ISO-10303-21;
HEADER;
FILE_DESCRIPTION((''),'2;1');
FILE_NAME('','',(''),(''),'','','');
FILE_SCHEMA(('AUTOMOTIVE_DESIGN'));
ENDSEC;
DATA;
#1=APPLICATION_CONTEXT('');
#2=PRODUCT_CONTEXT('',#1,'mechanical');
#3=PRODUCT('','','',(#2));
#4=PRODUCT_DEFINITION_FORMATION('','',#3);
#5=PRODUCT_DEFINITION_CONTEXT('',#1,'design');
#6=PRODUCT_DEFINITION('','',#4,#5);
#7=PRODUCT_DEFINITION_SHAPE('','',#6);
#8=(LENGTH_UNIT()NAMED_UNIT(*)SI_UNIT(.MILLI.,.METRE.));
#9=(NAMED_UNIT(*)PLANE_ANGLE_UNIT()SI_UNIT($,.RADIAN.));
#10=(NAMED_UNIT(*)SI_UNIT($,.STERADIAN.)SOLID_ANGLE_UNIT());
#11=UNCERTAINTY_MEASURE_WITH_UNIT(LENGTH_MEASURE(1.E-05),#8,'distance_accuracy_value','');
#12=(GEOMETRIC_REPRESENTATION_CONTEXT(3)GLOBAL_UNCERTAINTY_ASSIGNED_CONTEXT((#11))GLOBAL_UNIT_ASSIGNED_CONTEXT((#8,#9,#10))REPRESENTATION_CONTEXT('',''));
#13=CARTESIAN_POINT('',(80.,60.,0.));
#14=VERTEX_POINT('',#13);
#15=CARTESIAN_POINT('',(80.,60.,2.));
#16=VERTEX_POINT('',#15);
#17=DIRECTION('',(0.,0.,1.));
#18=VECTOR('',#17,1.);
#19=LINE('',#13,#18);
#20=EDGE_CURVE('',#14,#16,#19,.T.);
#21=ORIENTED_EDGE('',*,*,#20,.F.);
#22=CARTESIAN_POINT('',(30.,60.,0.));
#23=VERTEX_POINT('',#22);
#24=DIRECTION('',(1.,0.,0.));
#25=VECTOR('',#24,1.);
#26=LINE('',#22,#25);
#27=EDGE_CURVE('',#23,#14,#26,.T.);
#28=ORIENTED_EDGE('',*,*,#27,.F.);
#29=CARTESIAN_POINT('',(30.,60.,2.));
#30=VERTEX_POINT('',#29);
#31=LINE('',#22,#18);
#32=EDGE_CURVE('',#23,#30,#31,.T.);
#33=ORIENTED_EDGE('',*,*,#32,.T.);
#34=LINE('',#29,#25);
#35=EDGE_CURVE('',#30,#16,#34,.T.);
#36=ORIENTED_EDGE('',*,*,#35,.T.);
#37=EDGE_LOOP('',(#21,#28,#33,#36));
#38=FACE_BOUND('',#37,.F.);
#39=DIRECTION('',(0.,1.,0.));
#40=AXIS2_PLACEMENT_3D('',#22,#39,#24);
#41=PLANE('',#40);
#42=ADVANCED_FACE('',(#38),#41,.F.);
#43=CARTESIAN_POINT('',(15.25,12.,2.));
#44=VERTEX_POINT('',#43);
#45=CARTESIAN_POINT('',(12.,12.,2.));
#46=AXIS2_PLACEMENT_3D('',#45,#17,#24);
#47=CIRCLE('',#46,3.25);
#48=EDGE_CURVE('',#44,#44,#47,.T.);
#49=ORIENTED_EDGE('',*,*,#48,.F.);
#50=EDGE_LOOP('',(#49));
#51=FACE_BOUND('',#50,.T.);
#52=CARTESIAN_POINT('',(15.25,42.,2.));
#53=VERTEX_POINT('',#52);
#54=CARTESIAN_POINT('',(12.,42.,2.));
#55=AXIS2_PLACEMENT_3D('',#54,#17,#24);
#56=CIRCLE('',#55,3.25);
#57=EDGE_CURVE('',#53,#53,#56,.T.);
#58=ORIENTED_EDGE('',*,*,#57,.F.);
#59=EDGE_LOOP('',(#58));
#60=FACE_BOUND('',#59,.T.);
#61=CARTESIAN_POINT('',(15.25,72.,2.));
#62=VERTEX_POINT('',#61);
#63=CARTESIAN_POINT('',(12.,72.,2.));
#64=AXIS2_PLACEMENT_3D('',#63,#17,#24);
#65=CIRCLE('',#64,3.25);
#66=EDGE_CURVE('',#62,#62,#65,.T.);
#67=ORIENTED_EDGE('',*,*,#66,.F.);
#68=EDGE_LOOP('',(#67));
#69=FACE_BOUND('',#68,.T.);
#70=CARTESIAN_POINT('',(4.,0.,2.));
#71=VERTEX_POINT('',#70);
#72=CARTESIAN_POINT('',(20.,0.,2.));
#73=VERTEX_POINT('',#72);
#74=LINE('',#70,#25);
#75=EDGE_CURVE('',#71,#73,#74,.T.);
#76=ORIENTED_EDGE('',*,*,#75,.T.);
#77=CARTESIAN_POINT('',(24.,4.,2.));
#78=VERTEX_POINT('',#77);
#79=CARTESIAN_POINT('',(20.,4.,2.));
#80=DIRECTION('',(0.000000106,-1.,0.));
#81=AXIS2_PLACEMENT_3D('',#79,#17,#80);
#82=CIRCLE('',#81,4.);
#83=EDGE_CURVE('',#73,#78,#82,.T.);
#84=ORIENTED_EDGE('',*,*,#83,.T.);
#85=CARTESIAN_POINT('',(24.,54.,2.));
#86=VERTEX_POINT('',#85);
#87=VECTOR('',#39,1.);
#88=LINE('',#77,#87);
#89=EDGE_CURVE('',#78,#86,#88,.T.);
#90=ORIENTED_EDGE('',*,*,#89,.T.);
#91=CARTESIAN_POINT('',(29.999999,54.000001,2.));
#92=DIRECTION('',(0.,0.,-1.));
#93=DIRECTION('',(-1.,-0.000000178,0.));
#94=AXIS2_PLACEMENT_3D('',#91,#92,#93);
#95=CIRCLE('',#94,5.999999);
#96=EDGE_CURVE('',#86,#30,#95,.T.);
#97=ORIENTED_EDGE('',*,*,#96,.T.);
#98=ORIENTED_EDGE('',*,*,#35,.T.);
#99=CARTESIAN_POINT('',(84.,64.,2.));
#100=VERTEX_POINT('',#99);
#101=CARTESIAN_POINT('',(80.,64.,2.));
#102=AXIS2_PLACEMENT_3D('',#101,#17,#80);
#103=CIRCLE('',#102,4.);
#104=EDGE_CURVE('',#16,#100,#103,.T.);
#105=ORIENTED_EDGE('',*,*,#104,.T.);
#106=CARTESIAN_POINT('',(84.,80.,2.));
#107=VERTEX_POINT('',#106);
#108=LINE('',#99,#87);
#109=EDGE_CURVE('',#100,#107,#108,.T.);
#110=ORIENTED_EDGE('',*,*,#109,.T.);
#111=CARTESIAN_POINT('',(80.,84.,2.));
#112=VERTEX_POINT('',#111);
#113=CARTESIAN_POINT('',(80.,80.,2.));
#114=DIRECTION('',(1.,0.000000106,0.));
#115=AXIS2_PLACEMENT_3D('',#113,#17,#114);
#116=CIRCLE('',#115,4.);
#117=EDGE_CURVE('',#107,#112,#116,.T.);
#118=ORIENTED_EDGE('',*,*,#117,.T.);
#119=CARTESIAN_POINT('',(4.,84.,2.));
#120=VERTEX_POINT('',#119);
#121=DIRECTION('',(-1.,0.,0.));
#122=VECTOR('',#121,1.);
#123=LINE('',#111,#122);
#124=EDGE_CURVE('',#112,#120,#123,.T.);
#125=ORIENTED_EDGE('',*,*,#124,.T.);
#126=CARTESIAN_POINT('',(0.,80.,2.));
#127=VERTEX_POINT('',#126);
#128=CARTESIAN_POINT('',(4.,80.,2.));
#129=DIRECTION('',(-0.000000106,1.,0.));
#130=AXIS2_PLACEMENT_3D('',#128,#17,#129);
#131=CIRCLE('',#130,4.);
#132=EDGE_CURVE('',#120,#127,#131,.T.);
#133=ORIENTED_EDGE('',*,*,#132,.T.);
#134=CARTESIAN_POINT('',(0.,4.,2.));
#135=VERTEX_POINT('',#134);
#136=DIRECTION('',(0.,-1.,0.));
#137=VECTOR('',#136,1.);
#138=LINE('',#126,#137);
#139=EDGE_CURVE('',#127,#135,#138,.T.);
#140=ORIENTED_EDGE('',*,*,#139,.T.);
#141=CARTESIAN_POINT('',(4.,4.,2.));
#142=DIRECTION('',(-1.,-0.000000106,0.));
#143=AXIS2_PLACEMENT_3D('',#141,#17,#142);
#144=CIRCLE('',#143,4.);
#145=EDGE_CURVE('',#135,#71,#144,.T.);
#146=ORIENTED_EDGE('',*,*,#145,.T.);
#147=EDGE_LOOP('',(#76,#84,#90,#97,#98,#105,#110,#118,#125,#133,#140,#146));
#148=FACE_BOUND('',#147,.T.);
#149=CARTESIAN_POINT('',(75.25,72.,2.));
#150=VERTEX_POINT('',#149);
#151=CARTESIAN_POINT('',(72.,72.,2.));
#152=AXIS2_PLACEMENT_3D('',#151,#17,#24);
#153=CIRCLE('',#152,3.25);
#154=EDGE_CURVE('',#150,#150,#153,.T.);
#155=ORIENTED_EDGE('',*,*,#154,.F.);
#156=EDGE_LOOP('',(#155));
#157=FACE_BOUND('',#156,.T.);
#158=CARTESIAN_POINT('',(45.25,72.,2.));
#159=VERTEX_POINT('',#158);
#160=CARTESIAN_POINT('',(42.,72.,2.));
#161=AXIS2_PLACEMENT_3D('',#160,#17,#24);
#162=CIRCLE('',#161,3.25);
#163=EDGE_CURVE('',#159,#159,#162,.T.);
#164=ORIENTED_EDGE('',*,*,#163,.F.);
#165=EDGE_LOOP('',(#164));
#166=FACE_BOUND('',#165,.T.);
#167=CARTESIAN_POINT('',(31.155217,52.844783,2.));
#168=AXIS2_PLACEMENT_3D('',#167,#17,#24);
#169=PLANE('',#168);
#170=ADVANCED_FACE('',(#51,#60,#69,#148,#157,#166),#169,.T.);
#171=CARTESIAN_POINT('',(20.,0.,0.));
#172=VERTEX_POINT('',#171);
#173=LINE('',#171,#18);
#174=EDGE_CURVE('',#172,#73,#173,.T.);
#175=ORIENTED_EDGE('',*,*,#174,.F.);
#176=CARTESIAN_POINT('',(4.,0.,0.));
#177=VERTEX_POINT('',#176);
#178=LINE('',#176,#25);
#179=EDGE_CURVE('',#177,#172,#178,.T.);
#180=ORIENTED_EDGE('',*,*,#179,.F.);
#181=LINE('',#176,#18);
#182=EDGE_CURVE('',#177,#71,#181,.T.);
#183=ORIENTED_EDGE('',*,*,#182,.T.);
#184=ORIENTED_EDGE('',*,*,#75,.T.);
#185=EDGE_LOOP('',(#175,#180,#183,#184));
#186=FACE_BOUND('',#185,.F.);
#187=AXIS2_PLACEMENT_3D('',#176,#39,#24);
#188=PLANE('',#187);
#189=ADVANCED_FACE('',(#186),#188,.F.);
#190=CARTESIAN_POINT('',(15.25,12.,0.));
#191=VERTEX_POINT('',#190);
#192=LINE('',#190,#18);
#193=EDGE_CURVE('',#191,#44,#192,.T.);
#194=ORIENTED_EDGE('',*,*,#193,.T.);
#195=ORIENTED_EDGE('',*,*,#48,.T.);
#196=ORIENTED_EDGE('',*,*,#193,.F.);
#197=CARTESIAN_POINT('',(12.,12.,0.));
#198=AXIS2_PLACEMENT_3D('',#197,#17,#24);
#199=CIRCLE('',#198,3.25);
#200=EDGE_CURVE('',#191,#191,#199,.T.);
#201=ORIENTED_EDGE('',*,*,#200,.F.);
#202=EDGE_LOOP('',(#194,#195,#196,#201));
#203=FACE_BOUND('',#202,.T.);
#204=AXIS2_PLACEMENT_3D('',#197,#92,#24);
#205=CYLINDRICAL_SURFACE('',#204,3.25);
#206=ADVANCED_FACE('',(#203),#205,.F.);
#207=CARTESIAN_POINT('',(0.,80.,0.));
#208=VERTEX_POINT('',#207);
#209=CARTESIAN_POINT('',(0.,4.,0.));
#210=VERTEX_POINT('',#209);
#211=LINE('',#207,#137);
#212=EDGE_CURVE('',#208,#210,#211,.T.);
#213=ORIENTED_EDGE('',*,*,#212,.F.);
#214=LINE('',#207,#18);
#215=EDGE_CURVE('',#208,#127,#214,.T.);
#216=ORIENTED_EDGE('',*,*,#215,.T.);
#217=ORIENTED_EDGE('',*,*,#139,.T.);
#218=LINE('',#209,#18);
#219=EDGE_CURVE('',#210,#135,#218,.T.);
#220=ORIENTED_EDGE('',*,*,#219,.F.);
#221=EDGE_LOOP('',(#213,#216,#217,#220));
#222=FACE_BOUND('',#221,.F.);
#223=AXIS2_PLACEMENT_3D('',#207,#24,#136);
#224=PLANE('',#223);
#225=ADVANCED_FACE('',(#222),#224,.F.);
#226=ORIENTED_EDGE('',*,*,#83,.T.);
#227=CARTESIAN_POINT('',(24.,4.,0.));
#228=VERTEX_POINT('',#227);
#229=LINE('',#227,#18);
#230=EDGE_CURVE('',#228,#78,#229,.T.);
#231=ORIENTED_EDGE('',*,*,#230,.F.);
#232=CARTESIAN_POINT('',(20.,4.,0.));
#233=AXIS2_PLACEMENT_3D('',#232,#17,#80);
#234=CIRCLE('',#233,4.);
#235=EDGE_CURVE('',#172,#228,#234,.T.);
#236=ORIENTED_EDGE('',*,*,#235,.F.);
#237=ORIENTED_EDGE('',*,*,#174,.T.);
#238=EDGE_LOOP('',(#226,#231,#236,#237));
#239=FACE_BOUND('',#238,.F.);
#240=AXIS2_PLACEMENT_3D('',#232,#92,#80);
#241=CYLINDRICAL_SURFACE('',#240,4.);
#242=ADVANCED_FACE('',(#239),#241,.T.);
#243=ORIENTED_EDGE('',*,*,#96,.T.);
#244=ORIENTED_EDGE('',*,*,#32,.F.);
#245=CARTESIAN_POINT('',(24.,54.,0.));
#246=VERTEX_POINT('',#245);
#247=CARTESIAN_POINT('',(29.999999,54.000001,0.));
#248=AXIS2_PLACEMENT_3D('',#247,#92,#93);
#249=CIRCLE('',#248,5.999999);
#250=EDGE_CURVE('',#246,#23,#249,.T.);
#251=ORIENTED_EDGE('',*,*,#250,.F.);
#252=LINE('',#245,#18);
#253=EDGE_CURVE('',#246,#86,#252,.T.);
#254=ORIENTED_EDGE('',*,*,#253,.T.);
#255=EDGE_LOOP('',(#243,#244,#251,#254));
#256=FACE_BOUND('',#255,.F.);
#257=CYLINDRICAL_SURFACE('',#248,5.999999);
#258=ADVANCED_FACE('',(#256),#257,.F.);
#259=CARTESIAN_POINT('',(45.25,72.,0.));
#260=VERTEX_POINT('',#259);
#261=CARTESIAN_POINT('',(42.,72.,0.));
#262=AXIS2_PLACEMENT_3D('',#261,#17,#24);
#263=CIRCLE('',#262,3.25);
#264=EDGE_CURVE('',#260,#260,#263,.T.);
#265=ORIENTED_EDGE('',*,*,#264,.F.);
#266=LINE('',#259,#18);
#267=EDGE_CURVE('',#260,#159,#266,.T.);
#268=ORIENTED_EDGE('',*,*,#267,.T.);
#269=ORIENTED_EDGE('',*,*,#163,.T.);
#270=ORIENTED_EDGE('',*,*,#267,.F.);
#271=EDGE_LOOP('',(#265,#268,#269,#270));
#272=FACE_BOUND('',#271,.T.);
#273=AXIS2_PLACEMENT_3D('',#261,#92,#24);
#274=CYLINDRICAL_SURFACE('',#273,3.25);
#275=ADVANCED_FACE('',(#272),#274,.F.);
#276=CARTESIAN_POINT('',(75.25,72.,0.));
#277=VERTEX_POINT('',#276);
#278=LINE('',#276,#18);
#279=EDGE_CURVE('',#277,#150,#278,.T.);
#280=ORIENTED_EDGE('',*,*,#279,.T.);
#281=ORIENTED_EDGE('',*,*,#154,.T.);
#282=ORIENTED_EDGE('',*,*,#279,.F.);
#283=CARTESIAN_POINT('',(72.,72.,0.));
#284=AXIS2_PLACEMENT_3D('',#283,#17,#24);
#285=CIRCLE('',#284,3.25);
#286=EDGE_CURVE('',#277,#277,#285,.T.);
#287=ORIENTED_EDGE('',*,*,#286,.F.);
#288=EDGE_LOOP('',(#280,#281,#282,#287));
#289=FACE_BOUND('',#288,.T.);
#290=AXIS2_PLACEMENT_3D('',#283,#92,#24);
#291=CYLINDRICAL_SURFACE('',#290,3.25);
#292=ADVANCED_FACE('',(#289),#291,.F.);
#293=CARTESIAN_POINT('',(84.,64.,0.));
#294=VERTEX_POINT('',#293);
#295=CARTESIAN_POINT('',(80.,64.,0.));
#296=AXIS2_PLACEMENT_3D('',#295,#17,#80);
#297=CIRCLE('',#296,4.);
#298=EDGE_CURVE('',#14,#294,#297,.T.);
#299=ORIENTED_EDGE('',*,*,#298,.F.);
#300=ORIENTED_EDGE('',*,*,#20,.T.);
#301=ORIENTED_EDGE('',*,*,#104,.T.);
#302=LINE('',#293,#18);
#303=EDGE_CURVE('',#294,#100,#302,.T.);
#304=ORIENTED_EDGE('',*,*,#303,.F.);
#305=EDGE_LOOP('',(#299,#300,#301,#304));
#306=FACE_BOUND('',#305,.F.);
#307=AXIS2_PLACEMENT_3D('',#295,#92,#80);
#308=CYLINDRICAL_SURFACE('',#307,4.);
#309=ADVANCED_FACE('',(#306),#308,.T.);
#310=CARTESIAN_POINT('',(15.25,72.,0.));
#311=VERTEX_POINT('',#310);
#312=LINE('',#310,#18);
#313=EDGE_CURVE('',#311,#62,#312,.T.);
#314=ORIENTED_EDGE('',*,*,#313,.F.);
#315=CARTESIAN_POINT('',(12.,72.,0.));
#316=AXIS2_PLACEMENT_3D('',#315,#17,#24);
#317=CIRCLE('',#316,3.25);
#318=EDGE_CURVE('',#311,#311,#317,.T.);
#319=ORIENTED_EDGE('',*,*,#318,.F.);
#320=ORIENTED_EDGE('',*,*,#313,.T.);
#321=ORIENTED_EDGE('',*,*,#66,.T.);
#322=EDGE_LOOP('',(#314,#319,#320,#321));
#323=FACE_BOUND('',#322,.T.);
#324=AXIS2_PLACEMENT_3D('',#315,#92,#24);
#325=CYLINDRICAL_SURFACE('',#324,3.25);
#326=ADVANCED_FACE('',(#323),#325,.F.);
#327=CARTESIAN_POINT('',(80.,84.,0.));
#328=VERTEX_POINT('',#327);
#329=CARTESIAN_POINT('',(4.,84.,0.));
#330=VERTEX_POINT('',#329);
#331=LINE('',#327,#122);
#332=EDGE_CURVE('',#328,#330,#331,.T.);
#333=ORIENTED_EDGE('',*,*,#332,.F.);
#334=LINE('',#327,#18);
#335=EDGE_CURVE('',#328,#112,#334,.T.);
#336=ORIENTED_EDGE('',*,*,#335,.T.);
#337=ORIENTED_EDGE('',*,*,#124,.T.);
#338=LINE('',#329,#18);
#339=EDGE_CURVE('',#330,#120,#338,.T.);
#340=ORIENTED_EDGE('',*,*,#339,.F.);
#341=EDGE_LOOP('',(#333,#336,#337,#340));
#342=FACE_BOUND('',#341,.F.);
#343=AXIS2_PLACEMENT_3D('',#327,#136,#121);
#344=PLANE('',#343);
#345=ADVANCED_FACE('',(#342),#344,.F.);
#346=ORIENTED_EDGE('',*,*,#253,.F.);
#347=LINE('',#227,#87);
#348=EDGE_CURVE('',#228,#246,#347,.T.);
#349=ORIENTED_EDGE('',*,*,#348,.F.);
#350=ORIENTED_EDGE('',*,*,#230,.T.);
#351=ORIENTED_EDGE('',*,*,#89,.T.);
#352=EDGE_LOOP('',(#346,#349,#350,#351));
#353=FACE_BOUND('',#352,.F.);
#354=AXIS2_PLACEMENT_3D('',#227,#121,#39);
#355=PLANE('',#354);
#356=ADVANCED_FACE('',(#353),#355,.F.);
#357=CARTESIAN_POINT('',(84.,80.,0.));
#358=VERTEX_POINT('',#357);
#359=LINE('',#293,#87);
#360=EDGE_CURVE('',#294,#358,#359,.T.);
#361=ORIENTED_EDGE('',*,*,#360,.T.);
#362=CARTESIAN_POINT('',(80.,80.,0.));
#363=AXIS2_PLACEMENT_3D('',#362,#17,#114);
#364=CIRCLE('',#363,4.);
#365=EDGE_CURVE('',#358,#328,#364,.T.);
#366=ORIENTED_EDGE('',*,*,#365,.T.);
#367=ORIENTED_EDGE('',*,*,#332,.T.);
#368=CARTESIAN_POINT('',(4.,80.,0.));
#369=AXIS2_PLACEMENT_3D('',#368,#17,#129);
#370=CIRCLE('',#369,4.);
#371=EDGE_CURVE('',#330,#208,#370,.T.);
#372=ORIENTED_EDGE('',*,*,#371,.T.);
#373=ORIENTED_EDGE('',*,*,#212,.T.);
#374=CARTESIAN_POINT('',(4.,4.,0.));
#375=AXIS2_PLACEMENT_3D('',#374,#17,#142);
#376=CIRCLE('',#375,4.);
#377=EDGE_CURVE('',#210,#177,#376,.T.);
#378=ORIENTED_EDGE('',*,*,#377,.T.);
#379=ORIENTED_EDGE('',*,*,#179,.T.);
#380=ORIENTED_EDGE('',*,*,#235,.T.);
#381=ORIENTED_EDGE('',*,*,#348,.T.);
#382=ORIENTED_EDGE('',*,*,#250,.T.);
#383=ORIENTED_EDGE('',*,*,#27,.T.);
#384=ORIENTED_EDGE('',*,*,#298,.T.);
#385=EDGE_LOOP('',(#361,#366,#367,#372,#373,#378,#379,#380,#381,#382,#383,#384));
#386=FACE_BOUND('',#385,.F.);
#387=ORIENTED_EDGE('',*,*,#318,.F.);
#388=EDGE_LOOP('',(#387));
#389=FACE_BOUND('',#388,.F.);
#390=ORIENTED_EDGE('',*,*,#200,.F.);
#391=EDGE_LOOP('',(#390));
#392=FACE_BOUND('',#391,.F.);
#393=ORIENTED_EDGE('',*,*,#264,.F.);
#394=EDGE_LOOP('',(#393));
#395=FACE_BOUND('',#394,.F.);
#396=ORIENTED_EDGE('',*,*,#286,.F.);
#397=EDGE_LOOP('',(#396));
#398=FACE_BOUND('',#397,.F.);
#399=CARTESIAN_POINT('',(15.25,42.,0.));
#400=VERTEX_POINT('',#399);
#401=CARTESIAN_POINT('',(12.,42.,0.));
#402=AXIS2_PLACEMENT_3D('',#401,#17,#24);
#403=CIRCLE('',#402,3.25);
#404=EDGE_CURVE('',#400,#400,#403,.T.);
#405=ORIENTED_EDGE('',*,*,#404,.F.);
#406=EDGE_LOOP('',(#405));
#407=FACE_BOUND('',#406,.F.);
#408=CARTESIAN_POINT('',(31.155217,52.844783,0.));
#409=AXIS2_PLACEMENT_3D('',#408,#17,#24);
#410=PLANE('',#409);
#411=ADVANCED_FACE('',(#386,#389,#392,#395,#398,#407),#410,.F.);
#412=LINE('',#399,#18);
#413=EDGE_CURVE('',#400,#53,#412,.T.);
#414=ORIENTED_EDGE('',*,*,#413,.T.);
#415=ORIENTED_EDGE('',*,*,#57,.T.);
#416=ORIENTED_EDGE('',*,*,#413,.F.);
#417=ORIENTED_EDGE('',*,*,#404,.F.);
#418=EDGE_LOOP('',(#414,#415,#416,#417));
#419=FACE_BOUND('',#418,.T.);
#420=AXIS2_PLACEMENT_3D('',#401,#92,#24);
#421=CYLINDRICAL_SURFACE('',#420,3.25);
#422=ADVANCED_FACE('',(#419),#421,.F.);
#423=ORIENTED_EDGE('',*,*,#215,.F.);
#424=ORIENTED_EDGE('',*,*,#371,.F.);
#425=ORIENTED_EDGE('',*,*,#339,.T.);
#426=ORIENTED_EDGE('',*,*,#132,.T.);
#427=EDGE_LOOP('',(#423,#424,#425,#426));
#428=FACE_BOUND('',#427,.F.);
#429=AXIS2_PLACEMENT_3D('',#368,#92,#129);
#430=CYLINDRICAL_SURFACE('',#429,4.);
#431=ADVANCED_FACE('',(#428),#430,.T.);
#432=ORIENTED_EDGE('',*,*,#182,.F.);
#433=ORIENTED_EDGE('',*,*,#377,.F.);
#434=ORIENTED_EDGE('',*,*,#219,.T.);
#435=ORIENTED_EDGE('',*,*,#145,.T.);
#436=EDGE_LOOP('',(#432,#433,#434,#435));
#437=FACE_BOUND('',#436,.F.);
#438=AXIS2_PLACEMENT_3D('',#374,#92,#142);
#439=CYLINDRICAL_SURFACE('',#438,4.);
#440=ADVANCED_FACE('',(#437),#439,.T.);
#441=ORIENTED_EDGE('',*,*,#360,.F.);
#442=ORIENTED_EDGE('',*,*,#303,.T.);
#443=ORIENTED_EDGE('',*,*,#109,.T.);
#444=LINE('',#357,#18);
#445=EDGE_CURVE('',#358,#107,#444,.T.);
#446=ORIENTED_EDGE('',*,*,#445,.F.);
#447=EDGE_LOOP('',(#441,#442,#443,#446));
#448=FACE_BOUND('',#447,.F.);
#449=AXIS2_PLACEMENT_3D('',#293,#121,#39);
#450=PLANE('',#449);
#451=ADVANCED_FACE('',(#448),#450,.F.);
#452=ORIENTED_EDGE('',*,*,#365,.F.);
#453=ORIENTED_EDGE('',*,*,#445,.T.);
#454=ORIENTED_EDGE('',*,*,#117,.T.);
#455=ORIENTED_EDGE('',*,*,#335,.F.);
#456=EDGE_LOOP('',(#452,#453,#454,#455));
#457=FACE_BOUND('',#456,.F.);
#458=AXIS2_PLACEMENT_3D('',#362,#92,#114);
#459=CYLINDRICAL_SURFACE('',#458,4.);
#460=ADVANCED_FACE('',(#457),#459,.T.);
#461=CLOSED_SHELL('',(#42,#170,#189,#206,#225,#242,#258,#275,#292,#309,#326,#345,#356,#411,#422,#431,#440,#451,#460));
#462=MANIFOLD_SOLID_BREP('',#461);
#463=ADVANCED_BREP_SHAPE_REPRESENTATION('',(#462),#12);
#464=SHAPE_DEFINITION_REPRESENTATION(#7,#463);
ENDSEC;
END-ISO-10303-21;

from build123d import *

# Parameters (mm, degrees)
F0_R     = 3.25
F1_DEPTH = 2


with BuildPart() as f1:
    # F0 (on Top) → F1 (new body)
    with BuildSketch(Plane.XY):
        with BuildLine():
            Line((80, 84), (4, 84))
            ThreePointArc((4, 84), (1.171573, 82.828427), (0, 80))
            Line((0, 80), (0, 4))
            ThreePointArc((0, 4), (1.171573, 1.171573), (4, 0))
            Line((4, 0), (20, 0))
            ThreePointArc((20, 0), (22.828427, 1.171573), (24, 4))
            Line((24, 4), (24, 54))
            ThreePointArc((24, 54), (25.757359, 58.242641), (30, 60))
            Line((30, 60), (80, 60))
            ThreePointArc((80, 60), (82.828427, 61.171573), (84, 64))
            Line((84, 64), (84, 80))
            ThreePointArc((84, 80), (82.828427, 82.828427), (80, 84))
        make_face()
        with Locations((12, 12)):
            Circle(F0_R, mode=Mode.SUBTRACT)
        with Locations((12, 42)):
            Circle(F0_R, mode=Mode.SUBTRACT)
        with Locations((12, 72)):
            Circle(F0_R, mode=Mode.SUBTRACT)
        with Locations((42, 72)):
            Circle(F0_R, mode=Mode.SUBTRACT)
        with Locations((72, 72)):
            Circle(F0_R, mode=Mode.SUBTRACT)
    extrude(amount=F1_DEPTH)


solid = f1.part
